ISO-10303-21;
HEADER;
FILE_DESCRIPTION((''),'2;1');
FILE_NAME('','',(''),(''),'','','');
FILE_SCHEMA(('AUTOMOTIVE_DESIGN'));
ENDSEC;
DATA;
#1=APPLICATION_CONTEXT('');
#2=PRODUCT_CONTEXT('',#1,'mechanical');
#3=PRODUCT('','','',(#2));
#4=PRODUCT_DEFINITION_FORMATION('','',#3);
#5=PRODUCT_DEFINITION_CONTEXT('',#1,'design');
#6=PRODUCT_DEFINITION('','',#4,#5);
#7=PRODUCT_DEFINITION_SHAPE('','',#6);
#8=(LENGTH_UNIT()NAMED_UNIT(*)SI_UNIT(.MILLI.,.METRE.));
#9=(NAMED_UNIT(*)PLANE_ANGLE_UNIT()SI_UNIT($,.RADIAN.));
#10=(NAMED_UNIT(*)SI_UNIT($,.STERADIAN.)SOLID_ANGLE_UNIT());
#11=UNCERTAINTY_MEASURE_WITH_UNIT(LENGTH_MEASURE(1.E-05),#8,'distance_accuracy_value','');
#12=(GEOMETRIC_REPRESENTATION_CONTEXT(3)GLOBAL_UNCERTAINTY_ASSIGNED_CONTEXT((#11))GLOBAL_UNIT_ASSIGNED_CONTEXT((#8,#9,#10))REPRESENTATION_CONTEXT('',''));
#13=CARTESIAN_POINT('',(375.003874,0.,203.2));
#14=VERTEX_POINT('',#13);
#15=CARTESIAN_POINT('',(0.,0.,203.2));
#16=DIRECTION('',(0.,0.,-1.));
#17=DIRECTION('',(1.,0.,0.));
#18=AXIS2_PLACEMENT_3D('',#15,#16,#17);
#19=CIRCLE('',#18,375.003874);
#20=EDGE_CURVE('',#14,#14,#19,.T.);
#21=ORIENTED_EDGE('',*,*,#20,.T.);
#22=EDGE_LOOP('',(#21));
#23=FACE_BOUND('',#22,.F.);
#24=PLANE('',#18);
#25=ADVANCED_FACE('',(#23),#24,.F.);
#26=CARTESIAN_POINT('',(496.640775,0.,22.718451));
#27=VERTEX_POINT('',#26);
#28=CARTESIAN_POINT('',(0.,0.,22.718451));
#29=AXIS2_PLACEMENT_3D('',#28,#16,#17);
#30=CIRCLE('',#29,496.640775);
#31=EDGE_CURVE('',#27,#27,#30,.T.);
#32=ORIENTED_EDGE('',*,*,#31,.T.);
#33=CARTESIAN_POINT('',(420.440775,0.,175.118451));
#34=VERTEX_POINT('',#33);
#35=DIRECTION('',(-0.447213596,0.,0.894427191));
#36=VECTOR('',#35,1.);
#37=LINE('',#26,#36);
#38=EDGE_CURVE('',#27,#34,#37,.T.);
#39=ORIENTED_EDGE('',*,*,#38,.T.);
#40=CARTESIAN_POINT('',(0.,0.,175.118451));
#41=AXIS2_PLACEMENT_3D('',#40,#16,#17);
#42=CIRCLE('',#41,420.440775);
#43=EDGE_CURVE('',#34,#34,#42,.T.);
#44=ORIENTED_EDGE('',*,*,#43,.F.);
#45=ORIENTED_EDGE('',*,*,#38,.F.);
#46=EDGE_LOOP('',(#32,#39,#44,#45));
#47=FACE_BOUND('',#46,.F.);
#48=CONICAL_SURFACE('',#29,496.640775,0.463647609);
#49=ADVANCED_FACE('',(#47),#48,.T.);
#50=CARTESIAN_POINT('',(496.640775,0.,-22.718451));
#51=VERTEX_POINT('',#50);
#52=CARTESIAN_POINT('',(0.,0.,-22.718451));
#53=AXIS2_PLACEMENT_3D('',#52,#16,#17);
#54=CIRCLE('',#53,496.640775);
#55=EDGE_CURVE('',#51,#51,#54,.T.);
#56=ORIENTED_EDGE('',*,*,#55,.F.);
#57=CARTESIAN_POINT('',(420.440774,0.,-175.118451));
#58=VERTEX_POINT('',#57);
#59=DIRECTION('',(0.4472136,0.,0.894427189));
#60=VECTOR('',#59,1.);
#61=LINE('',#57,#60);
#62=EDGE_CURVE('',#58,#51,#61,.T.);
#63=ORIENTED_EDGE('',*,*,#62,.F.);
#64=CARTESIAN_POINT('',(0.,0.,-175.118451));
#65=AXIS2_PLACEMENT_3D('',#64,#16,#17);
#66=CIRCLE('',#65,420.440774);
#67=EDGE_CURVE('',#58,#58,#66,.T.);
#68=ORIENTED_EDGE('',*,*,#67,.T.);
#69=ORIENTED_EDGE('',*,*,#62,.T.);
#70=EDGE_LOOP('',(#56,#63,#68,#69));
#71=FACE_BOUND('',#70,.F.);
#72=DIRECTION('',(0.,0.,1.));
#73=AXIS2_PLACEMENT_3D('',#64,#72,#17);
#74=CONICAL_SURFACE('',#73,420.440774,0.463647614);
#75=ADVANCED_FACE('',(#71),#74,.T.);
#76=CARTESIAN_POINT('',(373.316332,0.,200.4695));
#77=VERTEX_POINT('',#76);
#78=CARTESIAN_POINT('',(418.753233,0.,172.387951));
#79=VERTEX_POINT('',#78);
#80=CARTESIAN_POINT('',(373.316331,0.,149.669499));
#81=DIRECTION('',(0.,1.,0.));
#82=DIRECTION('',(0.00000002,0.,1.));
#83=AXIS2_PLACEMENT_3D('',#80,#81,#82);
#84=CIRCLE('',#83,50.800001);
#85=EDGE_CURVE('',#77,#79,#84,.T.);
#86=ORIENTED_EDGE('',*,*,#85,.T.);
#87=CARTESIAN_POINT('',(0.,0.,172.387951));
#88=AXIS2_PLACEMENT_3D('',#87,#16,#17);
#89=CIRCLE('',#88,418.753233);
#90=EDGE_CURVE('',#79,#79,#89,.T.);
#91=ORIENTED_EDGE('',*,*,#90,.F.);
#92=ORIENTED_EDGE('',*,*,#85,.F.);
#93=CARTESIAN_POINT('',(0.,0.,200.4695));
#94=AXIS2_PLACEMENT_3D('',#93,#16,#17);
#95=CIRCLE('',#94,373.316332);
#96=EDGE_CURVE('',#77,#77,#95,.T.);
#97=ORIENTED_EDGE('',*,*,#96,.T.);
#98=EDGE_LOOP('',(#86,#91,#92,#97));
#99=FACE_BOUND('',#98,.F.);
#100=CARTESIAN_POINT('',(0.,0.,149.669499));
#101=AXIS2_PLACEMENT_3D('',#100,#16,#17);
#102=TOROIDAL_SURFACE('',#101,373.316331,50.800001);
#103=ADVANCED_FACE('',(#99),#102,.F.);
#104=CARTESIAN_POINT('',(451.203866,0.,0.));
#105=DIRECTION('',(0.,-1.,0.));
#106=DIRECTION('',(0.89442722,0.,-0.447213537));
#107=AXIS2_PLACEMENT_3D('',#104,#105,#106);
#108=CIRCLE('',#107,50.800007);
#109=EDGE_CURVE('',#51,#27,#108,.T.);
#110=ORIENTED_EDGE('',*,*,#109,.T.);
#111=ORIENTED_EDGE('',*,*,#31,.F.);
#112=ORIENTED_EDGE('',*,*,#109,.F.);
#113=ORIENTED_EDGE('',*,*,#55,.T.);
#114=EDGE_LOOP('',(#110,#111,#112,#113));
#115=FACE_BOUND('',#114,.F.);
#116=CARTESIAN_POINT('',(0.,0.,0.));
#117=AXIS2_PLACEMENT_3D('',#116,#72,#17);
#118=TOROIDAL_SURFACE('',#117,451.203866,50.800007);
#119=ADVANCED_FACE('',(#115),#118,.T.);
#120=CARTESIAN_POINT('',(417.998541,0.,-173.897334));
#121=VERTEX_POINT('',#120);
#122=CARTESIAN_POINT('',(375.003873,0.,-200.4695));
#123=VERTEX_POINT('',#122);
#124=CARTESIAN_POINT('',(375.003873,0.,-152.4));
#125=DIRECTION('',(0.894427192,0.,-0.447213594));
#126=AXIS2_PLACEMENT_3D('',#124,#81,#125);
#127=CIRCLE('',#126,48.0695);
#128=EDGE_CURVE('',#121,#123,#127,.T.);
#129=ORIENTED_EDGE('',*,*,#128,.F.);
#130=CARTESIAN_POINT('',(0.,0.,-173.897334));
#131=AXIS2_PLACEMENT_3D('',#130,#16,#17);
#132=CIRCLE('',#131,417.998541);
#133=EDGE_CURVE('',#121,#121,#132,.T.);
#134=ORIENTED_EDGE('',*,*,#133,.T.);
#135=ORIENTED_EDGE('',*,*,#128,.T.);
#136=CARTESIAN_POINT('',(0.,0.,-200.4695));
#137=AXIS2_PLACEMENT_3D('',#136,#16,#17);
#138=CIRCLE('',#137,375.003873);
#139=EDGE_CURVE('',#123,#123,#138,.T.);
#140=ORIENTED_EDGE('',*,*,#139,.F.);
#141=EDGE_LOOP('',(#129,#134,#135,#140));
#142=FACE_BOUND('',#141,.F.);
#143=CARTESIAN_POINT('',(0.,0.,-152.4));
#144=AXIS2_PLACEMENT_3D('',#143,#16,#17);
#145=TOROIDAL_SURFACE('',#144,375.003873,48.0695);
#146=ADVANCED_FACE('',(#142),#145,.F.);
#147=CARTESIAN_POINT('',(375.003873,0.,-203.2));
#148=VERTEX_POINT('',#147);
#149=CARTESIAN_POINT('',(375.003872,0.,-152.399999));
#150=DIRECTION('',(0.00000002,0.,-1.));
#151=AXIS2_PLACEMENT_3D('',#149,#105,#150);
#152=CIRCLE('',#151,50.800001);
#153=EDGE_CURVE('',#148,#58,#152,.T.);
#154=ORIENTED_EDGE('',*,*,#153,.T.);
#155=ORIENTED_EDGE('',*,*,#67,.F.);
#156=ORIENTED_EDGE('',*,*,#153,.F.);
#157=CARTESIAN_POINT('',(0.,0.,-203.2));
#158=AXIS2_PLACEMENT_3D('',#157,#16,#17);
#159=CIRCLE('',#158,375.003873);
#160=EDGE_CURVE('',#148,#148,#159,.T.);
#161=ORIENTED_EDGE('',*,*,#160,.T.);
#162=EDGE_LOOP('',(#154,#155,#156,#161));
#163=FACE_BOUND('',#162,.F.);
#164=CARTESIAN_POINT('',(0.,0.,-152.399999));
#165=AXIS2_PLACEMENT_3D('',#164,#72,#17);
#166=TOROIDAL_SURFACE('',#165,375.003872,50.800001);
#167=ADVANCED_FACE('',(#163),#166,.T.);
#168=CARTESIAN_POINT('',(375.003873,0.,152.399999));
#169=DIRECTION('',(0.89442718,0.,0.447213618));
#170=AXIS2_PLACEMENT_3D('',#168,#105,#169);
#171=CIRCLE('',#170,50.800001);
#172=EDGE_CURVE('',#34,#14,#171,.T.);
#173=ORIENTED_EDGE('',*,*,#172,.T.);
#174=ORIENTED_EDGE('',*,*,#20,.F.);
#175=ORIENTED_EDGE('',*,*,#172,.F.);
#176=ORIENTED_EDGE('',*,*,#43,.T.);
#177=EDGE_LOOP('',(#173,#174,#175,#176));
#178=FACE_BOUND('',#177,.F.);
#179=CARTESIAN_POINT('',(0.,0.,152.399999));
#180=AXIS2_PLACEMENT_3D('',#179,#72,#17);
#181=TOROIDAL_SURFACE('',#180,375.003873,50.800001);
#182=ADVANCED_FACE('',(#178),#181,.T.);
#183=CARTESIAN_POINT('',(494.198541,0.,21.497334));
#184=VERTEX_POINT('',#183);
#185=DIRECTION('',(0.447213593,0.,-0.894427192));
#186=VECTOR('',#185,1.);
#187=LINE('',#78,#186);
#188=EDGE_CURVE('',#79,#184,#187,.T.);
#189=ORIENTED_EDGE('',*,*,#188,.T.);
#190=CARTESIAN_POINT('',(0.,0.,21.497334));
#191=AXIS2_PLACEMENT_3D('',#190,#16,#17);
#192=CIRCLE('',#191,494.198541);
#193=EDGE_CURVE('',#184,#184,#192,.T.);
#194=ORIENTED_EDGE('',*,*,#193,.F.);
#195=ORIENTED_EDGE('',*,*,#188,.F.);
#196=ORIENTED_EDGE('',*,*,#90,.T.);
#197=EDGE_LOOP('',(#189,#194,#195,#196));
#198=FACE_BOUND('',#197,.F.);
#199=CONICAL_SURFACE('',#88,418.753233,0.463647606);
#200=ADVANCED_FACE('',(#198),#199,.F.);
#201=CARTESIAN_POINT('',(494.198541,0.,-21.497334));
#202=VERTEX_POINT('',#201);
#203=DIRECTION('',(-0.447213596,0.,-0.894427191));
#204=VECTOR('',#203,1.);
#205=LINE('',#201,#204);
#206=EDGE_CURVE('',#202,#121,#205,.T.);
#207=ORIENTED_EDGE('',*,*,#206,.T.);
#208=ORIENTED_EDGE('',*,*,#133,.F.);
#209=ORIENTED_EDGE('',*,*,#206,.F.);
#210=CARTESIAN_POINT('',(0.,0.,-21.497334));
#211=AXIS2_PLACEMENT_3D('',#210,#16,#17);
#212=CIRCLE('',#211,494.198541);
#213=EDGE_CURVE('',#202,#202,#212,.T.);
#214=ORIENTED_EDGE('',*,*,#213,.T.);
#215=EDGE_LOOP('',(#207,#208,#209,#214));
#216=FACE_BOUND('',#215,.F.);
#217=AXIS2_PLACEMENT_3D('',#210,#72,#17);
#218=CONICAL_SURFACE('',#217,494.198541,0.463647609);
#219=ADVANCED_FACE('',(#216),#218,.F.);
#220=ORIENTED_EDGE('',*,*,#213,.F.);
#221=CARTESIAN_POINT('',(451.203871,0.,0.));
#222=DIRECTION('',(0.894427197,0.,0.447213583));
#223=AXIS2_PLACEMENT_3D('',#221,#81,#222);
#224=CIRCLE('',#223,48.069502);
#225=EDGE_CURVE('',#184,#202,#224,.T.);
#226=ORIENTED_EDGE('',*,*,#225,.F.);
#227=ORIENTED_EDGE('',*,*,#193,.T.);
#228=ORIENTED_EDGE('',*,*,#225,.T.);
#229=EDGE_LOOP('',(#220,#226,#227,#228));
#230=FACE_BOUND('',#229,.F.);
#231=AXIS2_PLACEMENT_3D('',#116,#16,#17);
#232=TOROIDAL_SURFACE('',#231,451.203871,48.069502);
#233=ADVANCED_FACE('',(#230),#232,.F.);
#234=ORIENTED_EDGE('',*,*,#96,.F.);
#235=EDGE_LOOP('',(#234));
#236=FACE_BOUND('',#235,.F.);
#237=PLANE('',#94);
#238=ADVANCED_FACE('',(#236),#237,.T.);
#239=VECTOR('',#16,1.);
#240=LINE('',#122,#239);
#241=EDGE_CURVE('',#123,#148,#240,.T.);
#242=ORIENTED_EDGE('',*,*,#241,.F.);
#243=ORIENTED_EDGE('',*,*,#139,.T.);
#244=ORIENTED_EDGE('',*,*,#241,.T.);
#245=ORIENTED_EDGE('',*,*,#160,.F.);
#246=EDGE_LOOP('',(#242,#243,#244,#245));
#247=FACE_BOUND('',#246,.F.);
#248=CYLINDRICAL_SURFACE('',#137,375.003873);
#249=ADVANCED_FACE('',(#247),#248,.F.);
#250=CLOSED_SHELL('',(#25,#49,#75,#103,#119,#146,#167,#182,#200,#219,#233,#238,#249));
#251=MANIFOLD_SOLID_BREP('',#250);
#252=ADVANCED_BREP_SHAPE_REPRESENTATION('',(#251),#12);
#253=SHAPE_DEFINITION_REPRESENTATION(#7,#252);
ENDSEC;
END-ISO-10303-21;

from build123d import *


with BuildPart() as f1:
    # F0 (on Front) → F1 (revolve)
    with BuildSketch(Plane.XZ):
        with BuildLine():
            Line((496.640775, 22.718451), (420.440775, 175.118451))
            ThreePointArc((420.440775, 175.118451), (401.711014, 195.613061), (375.003874, 203.2))
            Line((375.003874, 203.2), (0, 203.2))
            Line((0, 203.2), (0, 200.4695))
            Line((0, 200.4695), (373.316332, 200.4695))
            ThreePointArc((373.316332, 200.4695), (400.023472, 192.882561), (418.753233, 172.387951))
            Line((418.753233, 172.387951), (494.198541, 21.497334))
            ThreePointArc((494.198541, 21.497334), (499.273373, 0), (494.198541, -21.497334))
            Line((494.198541, -21.497334), (417.998541, -173.897334))
            ThreePointArc((417.998541, -173.897334), (400.275505, -193.290359), (375.003873, -200.4695))
            Line((375.003873, -200.4695), (375.003873, -203.2))
            ThreePointArc((375.003873, -203.2), (401.711013, -195.613061), (420.440774, -175.118451))
            Line((420.440774, -175.118451), (496.640775, -22.718451))
            ThreePointArc((496.640775, -22.718451), (502.003873, 0), (496.640775, 22.718451))
        make_face()
    revolve(axis=Axis((0, 0, 0), (0, 0, -1)))


solid = f1.part
